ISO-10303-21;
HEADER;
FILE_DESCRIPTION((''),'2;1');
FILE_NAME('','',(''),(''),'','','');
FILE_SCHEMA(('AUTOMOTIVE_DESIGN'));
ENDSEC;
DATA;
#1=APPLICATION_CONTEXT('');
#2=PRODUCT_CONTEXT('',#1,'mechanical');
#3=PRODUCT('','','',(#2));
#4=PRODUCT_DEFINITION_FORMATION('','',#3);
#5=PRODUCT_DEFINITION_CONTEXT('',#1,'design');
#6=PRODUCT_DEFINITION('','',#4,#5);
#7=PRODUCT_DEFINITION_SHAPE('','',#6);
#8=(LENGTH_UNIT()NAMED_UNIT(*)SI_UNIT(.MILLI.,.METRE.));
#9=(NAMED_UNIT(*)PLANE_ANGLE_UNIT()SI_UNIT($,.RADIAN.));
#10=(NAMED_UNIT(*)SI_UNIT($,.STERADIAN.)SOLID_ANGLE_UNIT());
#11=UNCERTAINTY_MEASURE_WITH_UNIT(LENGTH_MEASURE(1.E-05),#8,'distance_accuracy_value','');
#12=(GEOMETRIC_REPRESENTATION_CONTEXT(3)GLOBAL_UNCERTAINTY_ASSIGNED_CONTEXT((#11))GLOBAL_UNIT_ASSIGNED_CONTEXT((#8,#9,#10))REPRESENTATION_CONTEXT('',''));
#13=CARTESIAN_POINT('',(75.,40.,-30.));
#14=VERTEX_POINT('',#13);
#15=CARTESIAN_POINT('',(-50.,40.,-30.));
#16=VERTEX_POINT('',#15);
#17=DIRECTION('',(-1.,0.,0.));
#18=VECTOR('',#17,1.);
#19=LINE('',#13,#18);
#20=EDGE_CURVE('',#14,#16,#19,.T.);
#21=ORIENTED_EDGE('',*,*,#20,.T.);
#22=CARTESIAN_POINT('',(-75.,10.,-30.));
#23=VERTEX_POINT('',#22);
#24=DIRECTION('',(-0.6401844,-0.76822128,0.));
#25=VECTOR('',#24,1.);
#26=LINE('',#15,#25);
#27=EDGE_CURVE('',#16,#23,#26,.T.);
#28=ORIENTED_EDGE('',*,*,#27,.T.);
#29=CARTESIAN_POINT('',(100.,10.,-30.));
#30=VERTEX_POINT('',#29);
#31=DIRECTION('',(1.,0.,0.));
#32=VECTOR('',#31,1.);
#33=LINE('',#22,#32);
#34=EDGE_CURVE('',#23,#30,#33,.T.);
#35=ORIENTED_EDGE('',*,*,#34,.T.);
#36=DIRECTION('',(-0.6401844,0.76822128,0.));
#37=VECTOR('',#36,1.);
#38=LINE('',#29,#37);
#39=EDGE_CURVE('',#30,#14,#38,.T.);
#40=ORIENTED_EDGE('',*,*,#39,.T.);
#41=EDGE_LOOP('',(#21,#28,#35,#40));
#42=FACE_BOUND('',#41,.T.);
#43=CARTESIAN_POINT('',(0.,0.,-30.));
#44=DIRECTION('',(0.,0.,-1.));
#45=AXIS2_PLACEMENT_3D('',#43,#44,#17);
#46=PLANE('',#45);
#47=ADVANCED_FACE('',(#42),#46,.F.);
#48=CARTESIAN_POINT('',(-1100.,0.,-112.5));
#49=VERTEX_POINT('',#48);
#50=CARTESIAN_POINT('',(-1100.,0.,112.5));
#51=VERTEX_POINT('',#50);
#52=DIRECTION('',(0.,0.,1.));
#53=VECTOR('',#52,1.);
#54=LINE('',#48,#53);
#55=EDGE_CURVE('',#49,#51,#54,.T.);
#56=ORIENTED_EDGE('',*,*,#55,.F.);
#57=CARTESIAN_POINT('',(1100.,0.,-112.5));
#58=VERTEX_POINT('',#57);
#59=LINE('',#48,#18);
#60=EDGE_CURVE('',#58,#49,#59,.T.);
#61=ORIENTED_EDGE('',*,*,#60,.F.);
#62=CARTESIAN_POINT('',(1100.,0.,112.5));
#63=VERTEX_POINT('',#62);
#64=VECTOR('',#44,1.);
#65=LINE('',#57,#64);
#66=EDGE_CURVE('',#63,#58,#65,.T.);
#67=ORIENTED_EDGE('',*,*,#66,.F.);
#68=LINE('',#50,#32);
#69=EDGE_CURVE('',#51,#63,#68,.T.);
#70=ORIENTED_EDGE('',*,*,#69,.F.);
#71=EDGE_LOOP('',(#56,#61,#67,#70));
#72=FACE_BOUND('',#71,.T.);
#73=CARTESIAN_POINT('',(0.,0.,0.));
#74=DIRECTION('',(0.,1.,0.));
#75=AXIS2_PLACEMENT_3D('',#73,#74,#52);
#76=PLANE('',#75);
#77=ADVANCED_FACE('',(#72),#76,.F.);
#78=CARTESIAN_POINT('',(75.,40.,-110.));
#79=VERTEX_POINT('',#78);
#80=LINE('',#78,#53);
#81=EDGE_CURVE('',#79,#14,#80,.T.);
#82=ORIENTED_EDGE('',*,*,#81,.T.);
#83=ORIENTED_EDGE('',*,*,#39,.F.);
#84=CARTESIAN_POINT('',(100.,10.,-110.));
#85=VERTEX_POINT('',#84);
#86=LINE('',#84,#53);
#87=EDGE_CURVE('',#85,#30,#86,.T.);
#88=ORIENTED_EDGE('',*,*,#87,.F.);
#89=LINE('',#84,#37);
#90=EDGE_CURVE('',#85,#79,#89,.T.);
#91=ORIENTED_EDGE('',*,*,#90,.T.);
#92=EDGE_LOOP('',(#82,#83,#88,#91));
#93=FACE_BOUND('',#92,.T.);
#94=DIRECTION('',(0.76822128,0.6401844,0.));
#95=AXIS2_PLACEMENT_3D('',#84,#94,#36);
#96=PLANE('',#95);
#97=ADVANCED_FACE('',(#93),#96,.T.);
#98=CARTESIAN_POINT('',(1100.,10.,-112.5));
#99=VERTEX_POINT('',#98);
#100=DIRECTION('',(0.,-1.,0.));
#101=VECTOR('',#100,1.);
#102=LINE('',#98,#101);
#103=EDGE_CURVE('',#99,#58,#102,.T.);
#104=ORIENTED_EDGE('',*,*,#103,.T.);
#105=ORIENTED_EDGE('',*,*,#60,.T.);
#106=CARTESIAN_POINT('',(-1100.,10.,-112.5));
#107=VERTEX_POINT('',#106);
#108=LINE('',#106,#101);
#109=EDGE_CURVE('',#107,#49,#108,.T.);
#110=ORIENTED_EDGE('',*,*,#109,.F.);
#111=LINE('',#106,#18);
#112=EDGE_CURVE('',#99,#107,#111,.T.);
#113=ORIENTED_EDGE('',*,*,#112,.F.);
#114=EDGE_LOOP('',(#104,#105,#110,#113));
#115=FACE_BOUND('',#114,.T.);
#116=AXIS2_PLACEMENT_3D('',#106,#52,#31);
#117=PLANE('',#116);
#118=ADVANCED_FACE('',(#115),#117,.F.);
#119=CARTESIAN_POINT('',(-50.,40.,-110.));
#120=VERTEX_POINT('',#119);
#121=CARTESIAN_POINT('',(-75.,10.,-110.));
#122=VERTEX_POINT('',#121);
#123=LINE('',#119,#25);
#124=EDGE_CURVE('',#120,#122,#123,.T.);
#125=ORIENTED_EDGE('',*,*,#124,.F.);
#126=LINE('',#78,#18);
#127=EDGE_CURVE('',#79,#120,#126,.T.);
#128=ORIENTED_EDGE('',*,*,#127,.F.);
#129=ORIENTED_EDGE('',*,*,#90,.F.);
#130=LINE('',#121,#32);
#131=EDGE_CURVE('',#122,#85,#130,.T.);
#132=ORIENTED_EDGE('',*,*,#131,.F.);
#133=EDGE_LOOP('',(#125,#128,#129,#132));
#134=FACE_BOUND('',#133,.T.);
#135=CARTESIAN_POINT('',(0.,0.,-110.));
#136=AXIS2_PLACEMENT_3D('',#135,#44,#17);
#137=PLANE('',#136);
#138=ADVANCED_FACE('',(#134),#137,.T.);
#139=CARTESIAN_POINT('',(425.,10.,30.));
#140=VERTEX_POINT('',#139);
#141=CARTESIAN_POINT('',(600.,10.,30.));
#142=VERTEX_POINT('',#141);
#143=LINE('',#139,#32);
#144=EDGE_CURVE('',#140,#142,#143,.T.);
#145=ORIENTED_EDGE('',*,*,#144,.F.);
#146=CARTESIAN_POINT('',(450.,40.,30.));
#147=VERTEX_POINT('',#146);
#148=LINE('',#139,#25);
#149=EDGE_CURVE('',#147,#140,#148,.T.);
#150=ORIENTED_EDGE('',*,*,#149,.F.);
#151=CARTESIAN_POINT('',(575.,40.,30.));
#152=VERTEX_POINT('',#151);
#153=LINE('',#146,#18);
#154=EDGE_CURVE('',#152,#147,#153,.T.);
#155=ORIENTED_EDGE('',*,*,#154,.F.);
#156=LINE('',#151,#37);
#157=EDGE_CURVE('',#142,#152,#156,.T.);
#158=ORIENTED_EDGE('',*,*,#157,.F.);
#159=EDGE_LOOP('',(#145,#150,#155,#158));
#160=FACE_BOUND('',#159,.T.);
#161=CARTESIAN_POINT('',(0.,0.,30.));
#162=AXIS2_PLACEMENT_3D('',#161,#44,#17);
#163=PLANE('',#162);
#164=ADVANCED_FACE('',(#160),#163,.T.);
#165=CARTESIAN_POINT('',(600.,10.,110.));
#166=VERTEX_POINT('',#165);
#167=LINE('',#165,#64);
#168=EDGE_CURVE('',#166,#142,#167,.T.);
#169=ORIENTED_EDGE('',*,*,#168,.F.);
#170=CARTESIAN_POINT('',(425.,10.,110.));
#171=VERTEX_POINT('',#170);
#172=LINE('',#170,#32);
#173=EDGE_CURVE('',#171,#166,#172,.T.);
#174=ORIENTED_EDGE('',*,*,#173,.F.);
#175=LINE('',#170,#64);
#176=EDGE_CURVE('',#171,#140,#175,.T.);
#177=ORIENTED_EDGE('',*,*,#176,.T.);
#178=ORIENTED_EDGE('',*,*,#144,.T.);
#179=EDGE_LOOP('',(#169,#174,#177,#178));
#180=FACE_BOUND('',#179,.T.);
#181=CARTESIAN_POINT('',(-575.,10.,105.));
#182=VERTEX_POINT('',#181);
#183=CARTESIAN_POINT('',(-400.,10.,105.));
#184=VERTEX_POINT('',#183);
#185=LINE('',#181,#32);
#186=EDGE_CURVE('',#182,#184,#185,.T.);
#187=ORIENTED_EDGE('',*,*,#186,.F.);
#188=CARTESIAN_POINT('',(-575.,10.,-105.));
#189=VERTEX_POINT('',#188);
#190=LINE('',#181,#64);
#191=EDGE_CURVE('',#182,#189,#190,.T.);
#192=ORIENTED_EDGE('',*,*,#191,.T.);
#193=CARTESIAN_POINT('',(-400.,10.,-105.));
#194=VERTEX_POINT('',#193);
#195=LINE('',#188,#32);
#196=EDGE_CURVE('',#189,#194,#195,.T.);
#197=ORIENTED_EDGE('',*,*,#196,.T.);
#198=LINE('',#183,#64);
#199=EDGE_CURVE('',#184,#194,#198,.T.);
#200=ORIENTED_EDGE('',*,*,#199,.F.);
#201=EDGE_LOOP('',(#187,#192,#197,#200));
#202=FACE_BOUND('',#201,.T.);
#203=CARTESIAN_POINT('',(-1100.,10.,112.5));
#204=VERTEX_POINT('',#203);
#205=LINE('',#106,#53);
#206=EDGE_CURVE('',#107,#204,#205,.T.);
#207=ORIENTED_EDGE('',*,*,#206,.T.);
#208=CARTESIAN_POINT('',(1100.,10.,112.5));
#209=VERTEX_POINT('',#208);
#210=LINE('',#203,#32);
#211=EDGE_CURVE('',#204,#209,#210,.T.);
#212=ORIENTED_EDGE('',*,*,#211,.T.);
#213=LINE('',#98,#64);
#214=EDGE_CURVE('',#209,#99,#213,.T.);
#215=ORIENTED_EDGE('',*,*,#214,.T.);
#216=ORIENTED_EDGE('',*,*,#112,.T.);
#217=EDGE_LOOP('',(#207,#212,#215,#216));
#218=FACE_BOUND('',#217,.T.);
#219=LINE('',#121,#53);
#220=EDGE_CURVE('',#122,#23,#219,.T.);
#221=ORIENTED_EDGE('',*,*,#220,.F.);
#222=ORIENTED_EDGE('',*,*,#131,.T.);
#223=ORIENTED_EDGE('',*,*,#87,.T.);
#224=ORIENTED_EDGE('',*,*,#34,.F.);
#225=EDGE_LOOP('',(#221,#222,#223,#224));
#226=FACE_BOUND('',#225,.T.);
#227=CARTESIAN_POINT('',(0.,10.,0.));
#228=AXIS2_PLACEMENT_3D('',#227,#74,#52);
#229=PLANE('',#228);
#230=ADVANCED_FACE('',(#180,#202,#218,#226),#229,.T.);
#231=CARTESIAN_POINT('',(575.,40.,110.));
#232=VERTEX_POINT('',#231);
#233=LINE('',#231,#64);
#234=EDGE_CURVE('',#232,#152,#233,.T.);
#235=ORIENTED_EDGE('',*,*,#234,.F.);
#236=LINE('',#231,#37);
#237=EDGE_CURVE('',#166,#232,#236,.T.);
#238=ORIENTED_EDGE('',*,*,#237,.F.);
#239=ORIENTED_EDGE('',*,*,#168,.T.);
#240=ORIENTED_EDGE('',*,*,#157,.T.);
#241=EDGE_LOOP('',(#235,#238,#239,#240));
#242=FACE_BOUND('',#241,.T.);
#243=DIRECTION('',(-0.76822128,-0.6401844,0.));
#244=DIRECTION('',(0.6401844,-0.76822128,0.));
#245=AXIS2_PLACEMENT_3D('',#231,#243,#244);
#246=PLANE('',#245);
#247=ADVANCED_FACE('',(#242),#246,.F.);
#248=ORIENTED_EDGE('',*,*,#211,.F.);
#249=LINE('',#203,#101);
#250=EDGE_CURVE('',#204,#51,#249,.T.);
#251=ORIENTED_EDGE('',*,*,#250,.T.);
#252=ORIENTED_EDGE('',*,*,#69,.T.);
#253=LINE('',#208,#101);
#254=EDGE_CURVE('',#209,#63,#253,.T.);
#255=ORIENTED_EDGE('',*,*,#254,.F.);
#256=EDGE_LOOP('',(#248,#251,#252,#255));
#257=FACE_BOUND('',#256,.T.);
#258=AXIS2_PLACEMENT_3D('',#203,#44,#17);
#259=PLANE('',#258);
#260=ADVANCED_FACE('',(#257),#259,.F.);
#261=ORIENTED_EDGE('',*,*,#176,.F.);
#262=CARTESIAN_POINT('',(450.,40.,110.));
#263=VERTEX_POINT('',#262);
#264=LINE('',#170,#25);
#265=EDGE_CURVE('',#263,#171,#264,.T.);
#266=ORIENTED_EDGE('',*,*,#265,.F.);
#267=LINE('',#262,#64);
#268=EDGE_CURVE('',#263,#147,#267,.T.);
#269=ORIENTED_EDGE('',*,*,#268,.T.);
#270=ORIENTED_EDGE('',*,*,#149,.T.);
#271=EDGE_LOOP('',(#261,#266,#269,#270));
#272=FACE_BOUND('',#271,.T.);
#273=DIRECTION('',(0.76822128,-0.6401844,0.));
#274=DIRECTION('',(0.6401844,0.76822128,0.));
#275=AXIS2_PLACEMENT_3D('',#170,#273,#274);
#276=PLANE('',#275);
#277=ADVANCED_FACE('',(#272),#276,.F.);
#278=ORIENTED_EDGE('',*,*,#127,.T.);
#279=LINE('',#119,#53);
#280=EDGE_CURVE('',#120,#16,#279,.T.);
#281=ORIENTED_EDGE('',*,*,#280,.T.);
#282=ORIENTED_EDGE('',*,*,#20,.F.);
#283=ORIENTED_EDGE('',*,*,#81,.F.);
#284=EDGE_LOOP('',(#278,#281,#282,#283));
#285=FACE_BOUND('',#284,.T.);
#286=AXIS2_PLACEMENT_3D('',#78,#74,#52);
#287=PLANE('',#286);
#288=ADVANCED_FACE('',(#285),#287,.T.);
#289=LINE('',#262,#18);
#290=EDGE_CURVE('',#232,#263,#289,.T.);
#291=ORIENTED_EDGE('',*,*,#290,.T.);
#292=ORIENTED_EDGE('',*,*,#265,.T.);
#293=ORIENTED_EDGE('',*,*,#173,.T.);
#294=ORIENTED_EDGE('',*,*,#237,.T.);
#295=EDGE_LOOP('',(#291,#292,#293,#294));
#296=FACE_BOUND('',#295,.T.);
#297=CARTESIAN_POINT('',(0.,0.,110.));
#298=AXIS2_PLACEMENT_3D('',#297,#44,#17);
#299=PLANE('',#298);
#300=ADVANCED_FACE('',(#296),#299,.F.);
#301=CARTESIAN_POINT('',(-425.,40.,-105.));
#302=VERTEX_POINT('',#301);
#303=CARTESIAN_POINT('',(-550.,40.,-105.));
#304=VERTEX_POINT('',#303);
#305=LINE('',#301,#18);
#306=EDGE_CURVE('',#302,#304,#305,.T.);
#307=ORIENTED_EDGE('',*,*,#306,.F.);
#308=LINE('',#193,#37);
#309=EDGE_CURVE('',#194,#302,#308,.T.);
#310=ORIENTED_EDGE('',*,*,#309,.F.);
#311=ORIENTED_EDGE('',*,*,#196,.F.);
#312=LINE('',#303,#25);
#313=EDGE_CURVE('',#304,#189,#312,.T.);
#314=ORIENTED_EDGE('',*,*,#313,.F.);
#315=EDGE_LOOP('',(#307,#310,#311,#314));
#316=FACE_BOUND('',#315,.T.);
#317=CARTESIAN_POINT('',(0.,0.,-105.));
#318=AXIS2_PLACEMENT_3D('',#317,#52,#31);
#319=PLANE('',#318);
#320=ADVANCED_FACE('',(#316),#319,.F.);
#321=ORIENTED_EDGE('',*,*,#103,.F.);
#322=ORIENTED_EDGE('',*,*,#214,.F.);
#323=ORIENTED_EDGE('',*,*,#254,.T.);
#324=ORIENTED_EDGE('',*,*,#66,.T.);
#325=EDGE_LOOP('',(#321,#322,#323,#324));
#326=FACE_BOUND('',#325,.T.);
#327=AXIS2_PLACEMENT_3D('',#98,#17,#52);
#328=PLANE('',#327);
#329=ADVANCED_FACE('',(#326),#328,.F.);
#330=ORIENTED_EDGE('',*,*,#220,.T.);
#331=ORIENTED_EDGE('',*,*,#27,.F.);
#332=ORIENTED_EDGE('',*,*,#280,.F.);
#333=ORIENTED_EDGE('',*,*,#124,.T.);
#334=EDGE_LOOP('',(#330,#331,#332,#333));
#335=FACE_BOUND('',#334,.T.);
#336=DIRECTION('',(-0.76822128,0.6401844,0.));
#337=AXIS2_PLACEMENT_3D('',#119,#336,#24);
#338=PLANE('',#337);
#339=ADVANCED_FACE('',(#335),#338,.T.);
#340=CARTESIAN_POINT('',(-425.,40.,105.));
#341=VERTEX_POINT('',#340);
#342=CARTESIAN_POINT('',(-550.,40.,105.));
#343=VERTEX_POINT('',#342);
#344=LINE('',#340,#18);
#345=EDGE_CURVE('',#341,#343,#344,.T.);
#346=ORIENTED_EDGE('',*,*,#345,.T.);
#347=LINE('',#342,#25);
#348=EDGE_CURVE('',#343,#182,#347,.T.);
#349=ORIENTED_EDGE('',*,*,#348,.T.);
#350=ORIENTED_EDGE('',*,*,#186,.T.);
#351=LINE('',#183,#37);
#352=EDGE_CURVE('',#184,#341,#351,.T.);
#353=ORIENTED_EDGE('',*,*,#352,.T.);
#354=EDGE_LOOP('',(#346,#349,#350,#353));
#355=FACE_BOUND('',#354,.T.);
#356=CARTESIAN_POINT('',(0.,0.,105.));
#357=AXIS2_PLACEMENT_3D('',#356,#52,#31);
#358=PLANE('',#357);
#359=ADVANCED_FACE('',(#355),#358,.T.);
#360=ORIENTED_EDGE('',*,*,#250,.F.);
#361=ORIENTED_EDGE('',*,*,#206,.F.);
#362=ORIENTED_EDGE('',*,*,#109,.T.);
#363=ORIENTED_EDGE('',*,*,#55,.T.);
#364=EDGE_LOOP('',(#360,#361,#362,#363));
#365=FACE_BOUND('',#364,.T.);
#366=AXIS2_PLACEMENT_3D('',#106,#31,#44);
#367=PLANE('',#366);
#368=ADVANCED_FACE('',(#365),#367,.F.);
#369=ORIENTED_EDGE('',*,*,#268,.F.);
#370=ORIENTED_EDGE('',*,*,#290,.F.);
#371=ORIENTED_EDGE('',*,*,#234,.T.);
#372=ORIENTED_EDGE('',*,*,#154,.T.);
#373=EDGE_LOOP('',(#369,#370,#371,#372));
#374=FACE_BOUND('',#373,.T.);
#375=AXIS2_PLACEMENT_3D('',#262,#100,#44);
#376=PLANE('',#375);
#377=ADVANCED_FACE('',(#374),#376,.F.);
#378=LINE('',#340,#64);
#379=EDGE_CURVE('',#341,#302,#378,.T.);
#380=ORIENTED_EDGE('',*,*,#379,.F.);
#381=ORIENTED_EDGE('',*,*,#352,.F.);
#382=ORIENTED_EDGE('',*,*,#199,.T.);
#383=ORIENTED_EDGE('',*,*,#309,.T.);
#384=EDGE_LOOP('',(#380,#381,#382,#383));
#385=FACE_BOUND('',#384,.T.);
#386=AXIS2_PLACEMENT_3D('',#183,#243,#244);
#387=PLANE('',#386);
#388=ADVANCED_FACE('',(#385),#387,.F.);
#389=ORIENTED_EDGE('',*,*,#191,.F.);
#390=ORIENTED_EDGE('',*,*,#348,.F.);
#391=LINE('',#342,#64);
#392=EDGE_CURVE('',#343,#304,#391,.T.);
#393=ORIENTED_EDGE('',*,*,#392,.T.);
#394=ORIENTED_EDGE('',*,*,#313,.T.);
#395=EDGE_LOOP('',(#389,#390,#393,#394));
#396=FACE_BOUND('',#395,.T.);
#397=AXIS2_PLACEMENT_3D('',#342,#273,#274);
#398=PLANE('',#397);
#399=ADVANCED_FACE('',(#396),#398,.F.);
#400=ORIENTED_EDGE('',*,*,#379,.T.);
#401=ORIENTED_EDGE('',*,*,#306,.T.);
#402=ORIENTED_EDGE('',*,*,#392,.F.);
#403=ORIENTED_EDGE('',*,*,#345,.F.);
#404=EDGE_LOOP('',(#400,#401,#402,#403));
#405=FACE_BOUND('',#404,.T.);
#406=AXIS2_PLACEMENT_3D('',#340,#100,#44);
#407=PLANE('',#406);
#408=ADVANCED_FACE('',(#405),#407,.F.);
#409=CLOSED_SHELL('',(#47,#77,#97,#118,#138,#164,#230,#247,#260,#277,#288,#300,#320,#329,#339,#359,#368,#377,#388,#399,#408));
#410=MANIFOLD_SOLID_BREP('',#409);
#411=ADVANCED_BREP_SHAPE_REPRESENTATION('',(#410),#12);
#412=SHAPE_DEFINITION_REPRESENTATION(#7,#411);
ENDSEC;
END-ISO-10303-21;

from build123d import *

# Parameters (mm, degrees)
SKETCH1_W           = 2200
SKETCH1_H           = 225
BOSS_EXTRUDE1_DEPTH = 10
BOSS_EXTRUDE2_START = 30
BOSS_EXTRUDE2_DEPTH = 80
BOSS_EXTRUDE3_START = -30
BOSS_EXTRUDE3_DEPTH = 80
BOSS_EXTRUDE4_DEPTH = 105


with BuildPart() as part:
    # Sketch1 → Boss-Extrude1 (new body)
    with BuildSketch(Plane(origin=(0, 0, 0), x_dir=(1, 0, 0), z_dir=(0, 1, 0))):
        Rectangle(SKETCH1_W, SKETCH1_H)
    extrude(amount=BOSS_EXTRUDE1_DEPTH)

    # Sketch2 → Boss-Extrude2 (add)
    with BuildSketch(Plane.XY.offset(BOSS_EXTRUDE2_START)):
        Polygon((425, 10), (450, 40), (575, 40), (600, 10), align=None)
    extrude(amount=BOSS_EXTRUDE2_DEPTH)

    # Sketch3 → Boss-Extrude3 (add)
    with BuildSketch(Plane.XY.offset(BOSS_EXTRUDE3_START)):
        Polygon((75, 40), (-50, 40), (-75, 10), (100, 10), align=None)
    extrude(amount=-BOSS_EXTRUDE3_DEPTH)

    # Sketch4 → Boss-Extrude4 (add, symmetric)
    with BuildSketch(Plane.XY):
        Polygon((-425, 40), (-550, 40), (-575, 10), (-400, 10), align=None)
    extrude(amount=BOSS_EXTRUDE4_DEPTH, both=True)


solid = part.part
